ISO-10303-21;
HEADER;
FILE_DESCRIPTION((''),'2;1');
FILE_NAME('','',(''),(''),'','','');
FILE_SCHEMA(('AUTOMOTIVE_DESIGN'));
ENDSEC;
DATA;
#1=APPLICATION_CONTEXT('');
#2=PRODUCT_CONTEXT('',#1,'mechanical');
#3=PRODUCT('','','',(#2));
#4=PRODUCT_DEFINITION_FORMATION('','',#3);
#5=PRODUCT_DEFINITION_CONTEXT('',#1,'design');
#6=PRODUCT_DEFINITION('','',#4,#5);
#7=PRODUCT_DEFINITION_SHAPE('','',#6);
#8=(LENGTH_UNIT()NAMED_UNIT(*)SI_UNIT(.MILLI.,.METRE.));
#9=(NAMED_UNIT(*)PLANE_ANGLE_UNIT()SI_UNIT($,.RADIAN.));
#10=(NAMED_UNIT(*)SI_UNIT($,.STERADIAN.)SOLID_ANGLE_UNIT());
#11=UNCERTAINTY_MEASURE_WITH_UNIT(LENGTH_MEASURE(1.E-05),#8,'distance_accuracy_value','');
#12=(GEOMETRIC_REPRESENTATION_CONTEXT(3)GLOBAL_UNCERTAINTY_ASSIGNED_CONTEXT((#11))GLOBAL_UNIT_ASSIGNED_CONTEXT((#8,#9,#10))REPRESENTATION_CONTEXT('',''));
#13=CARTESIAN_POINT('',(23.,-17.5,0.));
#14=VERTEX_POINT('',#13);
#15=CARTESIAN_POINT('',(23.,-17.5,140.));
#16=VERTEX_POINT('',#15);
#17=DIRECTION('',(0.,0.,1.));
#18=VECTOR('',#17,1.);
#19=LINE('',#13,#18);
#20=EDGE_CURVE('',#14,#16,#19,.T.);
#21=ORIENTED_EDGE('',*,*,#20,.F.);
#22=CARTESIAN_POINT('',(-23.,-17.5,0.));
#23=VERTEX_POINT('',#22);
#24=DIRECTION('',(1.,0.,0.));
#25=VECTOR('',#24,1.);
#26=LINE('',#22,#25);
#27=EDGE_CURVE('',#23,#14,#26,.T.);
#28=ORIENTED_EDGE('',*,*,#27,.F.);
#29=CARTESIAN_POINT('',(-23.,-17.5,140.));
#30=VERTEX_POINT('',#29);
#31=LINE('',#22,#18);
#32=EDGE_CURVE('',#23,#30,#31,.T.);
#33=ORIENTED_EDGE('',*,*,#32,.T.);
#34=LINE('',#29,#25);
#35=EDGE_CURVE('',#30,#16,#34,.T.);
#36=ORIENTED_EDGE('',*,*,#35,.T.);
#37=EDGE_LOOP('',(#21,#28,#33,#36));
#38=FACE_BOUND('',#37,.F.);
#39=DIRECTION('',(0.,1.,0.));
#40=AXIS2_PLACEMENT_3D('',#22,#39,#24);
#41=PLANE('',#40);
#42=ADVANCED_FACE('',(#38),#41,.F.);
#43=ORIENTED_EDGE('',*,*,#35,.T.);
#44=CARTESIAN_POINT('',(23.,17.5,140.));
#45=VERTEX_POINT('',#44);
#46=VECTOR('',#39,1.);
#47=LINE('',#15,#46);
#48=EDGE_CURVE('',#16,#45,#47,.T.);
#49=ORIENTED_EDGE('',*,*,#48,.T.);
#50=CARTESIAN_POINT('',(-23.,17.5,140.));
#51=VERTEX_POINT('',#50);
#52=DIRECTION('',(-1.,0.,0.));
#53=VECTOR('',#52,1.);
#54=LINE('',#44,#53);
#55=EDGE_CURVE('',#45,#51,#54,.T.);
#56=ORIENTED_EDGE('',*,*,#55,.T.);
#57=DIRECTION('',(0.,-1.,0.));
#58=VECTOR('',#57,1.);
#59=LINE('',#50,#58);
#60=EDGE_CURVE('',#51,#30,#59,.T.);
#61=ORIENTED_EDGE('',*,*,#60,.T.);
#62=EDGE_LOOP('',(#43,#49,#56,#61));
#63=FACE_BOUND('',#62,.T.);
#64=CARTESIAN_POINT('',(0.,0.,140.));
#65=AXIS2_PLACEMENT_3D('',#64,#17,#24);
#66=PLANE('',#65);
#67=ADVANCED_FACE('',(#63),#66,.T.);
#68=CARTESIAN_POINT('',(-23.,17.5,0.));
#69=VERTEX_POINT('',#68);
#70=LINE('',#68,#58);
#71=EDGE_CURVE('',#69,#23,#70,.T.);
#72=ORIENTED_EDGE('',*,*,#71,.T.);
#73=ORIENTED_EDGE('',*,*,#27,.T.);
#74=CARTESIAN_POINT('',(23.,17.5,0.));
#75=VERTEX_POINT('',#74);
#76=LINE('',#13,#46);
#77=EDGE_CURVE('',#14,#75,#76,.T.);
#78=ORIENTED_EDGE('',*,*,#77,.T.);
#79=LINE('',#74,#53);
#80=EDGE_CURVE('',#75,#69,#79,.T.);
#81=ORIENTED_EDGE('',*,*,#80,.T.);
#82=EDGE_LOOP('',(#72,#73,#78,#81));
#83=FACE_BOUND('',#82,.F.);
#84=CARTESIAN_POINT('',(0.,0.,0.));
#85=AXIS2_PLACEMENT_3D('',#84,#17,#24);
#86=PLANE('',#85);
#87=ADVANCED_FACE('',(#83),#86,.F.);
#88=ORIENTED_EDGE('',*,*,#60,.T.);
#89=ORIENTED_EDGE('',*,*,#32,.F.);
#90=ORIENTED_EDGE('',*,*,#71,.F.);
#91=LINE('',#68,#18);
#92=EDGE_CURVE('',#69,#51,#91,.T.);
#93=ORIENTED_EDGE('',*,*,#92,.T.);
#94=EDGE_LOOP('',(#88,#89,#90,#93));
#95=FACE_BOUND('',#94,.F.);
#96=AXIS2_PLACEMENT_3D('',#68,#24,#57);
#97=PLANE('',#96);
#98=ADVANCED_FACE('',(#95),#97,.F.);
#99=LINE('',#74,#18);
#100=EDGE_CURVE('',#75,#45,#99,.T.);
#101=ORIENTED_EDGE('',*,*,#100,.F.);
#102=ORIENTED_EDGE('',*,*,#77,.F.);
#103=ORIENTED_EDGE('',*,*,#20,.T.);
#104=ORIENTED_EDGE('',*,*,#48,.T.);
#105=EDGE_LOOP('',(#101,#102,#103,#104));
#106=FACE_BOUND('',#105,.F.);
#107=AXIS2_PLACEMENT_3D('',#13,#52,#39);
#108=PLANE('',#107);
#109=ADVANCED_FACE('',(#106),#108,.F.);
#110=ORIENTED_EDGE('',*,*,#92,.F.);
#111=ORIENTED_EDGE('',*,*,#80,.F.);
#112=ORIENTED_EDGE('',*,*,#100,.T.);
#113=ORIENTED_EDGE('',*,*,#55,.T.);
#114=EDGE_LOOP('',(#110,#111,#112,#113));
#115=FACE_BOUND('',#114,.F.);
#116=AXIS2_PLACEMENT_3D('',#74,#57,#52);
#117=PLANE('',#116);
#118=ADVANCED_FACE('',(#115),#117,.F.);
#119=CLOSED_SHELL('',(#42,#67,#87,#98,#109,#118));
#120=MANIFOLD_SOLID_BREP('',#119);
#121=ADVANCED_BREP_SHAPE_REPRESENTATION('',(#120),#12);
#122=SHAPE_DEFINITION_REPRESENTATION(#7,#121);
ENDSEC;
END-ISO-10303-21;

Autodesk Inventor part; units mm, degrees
ref_plane "YZ Plane" through (0, 0, 0) normal (1, 0, 0) x (0, 1, 0)
ref_plane "XZ Plane" through (0, 0, 0) normal (0, 1, 0) x (-1, 0, 0)
ref_plane "XY Plane" through (0, 0, 0) normal (0, 0, 1) x (1, 0, 0)
sketch "Sketch1" plane through (0, 0, 0) normal (0, 0, 1) x (1, 0, 0)
  line L0 (-23, -17.5) -> (23, -17.5)
  line L1 (23, -17.5) -> (23, 17.5)
  line L2 (23, 17.5) -> (-23, 17.5)
  line L3 (-23, 17.5) -> (-23, -17.5)
  line L4 (-23, -17.5) -> (23, 17.5) construction
  line L5 (23, -17.5) -> (-23, 17.5) construction
  point P0 (0, 0)
  dimension "d0" = 35
  dimension "d1" = 46
extrude "Extrusion1" add sketch "Sketch1" along normal blind 140
properties part number "batterie" material "Thermoplastic Resin"
